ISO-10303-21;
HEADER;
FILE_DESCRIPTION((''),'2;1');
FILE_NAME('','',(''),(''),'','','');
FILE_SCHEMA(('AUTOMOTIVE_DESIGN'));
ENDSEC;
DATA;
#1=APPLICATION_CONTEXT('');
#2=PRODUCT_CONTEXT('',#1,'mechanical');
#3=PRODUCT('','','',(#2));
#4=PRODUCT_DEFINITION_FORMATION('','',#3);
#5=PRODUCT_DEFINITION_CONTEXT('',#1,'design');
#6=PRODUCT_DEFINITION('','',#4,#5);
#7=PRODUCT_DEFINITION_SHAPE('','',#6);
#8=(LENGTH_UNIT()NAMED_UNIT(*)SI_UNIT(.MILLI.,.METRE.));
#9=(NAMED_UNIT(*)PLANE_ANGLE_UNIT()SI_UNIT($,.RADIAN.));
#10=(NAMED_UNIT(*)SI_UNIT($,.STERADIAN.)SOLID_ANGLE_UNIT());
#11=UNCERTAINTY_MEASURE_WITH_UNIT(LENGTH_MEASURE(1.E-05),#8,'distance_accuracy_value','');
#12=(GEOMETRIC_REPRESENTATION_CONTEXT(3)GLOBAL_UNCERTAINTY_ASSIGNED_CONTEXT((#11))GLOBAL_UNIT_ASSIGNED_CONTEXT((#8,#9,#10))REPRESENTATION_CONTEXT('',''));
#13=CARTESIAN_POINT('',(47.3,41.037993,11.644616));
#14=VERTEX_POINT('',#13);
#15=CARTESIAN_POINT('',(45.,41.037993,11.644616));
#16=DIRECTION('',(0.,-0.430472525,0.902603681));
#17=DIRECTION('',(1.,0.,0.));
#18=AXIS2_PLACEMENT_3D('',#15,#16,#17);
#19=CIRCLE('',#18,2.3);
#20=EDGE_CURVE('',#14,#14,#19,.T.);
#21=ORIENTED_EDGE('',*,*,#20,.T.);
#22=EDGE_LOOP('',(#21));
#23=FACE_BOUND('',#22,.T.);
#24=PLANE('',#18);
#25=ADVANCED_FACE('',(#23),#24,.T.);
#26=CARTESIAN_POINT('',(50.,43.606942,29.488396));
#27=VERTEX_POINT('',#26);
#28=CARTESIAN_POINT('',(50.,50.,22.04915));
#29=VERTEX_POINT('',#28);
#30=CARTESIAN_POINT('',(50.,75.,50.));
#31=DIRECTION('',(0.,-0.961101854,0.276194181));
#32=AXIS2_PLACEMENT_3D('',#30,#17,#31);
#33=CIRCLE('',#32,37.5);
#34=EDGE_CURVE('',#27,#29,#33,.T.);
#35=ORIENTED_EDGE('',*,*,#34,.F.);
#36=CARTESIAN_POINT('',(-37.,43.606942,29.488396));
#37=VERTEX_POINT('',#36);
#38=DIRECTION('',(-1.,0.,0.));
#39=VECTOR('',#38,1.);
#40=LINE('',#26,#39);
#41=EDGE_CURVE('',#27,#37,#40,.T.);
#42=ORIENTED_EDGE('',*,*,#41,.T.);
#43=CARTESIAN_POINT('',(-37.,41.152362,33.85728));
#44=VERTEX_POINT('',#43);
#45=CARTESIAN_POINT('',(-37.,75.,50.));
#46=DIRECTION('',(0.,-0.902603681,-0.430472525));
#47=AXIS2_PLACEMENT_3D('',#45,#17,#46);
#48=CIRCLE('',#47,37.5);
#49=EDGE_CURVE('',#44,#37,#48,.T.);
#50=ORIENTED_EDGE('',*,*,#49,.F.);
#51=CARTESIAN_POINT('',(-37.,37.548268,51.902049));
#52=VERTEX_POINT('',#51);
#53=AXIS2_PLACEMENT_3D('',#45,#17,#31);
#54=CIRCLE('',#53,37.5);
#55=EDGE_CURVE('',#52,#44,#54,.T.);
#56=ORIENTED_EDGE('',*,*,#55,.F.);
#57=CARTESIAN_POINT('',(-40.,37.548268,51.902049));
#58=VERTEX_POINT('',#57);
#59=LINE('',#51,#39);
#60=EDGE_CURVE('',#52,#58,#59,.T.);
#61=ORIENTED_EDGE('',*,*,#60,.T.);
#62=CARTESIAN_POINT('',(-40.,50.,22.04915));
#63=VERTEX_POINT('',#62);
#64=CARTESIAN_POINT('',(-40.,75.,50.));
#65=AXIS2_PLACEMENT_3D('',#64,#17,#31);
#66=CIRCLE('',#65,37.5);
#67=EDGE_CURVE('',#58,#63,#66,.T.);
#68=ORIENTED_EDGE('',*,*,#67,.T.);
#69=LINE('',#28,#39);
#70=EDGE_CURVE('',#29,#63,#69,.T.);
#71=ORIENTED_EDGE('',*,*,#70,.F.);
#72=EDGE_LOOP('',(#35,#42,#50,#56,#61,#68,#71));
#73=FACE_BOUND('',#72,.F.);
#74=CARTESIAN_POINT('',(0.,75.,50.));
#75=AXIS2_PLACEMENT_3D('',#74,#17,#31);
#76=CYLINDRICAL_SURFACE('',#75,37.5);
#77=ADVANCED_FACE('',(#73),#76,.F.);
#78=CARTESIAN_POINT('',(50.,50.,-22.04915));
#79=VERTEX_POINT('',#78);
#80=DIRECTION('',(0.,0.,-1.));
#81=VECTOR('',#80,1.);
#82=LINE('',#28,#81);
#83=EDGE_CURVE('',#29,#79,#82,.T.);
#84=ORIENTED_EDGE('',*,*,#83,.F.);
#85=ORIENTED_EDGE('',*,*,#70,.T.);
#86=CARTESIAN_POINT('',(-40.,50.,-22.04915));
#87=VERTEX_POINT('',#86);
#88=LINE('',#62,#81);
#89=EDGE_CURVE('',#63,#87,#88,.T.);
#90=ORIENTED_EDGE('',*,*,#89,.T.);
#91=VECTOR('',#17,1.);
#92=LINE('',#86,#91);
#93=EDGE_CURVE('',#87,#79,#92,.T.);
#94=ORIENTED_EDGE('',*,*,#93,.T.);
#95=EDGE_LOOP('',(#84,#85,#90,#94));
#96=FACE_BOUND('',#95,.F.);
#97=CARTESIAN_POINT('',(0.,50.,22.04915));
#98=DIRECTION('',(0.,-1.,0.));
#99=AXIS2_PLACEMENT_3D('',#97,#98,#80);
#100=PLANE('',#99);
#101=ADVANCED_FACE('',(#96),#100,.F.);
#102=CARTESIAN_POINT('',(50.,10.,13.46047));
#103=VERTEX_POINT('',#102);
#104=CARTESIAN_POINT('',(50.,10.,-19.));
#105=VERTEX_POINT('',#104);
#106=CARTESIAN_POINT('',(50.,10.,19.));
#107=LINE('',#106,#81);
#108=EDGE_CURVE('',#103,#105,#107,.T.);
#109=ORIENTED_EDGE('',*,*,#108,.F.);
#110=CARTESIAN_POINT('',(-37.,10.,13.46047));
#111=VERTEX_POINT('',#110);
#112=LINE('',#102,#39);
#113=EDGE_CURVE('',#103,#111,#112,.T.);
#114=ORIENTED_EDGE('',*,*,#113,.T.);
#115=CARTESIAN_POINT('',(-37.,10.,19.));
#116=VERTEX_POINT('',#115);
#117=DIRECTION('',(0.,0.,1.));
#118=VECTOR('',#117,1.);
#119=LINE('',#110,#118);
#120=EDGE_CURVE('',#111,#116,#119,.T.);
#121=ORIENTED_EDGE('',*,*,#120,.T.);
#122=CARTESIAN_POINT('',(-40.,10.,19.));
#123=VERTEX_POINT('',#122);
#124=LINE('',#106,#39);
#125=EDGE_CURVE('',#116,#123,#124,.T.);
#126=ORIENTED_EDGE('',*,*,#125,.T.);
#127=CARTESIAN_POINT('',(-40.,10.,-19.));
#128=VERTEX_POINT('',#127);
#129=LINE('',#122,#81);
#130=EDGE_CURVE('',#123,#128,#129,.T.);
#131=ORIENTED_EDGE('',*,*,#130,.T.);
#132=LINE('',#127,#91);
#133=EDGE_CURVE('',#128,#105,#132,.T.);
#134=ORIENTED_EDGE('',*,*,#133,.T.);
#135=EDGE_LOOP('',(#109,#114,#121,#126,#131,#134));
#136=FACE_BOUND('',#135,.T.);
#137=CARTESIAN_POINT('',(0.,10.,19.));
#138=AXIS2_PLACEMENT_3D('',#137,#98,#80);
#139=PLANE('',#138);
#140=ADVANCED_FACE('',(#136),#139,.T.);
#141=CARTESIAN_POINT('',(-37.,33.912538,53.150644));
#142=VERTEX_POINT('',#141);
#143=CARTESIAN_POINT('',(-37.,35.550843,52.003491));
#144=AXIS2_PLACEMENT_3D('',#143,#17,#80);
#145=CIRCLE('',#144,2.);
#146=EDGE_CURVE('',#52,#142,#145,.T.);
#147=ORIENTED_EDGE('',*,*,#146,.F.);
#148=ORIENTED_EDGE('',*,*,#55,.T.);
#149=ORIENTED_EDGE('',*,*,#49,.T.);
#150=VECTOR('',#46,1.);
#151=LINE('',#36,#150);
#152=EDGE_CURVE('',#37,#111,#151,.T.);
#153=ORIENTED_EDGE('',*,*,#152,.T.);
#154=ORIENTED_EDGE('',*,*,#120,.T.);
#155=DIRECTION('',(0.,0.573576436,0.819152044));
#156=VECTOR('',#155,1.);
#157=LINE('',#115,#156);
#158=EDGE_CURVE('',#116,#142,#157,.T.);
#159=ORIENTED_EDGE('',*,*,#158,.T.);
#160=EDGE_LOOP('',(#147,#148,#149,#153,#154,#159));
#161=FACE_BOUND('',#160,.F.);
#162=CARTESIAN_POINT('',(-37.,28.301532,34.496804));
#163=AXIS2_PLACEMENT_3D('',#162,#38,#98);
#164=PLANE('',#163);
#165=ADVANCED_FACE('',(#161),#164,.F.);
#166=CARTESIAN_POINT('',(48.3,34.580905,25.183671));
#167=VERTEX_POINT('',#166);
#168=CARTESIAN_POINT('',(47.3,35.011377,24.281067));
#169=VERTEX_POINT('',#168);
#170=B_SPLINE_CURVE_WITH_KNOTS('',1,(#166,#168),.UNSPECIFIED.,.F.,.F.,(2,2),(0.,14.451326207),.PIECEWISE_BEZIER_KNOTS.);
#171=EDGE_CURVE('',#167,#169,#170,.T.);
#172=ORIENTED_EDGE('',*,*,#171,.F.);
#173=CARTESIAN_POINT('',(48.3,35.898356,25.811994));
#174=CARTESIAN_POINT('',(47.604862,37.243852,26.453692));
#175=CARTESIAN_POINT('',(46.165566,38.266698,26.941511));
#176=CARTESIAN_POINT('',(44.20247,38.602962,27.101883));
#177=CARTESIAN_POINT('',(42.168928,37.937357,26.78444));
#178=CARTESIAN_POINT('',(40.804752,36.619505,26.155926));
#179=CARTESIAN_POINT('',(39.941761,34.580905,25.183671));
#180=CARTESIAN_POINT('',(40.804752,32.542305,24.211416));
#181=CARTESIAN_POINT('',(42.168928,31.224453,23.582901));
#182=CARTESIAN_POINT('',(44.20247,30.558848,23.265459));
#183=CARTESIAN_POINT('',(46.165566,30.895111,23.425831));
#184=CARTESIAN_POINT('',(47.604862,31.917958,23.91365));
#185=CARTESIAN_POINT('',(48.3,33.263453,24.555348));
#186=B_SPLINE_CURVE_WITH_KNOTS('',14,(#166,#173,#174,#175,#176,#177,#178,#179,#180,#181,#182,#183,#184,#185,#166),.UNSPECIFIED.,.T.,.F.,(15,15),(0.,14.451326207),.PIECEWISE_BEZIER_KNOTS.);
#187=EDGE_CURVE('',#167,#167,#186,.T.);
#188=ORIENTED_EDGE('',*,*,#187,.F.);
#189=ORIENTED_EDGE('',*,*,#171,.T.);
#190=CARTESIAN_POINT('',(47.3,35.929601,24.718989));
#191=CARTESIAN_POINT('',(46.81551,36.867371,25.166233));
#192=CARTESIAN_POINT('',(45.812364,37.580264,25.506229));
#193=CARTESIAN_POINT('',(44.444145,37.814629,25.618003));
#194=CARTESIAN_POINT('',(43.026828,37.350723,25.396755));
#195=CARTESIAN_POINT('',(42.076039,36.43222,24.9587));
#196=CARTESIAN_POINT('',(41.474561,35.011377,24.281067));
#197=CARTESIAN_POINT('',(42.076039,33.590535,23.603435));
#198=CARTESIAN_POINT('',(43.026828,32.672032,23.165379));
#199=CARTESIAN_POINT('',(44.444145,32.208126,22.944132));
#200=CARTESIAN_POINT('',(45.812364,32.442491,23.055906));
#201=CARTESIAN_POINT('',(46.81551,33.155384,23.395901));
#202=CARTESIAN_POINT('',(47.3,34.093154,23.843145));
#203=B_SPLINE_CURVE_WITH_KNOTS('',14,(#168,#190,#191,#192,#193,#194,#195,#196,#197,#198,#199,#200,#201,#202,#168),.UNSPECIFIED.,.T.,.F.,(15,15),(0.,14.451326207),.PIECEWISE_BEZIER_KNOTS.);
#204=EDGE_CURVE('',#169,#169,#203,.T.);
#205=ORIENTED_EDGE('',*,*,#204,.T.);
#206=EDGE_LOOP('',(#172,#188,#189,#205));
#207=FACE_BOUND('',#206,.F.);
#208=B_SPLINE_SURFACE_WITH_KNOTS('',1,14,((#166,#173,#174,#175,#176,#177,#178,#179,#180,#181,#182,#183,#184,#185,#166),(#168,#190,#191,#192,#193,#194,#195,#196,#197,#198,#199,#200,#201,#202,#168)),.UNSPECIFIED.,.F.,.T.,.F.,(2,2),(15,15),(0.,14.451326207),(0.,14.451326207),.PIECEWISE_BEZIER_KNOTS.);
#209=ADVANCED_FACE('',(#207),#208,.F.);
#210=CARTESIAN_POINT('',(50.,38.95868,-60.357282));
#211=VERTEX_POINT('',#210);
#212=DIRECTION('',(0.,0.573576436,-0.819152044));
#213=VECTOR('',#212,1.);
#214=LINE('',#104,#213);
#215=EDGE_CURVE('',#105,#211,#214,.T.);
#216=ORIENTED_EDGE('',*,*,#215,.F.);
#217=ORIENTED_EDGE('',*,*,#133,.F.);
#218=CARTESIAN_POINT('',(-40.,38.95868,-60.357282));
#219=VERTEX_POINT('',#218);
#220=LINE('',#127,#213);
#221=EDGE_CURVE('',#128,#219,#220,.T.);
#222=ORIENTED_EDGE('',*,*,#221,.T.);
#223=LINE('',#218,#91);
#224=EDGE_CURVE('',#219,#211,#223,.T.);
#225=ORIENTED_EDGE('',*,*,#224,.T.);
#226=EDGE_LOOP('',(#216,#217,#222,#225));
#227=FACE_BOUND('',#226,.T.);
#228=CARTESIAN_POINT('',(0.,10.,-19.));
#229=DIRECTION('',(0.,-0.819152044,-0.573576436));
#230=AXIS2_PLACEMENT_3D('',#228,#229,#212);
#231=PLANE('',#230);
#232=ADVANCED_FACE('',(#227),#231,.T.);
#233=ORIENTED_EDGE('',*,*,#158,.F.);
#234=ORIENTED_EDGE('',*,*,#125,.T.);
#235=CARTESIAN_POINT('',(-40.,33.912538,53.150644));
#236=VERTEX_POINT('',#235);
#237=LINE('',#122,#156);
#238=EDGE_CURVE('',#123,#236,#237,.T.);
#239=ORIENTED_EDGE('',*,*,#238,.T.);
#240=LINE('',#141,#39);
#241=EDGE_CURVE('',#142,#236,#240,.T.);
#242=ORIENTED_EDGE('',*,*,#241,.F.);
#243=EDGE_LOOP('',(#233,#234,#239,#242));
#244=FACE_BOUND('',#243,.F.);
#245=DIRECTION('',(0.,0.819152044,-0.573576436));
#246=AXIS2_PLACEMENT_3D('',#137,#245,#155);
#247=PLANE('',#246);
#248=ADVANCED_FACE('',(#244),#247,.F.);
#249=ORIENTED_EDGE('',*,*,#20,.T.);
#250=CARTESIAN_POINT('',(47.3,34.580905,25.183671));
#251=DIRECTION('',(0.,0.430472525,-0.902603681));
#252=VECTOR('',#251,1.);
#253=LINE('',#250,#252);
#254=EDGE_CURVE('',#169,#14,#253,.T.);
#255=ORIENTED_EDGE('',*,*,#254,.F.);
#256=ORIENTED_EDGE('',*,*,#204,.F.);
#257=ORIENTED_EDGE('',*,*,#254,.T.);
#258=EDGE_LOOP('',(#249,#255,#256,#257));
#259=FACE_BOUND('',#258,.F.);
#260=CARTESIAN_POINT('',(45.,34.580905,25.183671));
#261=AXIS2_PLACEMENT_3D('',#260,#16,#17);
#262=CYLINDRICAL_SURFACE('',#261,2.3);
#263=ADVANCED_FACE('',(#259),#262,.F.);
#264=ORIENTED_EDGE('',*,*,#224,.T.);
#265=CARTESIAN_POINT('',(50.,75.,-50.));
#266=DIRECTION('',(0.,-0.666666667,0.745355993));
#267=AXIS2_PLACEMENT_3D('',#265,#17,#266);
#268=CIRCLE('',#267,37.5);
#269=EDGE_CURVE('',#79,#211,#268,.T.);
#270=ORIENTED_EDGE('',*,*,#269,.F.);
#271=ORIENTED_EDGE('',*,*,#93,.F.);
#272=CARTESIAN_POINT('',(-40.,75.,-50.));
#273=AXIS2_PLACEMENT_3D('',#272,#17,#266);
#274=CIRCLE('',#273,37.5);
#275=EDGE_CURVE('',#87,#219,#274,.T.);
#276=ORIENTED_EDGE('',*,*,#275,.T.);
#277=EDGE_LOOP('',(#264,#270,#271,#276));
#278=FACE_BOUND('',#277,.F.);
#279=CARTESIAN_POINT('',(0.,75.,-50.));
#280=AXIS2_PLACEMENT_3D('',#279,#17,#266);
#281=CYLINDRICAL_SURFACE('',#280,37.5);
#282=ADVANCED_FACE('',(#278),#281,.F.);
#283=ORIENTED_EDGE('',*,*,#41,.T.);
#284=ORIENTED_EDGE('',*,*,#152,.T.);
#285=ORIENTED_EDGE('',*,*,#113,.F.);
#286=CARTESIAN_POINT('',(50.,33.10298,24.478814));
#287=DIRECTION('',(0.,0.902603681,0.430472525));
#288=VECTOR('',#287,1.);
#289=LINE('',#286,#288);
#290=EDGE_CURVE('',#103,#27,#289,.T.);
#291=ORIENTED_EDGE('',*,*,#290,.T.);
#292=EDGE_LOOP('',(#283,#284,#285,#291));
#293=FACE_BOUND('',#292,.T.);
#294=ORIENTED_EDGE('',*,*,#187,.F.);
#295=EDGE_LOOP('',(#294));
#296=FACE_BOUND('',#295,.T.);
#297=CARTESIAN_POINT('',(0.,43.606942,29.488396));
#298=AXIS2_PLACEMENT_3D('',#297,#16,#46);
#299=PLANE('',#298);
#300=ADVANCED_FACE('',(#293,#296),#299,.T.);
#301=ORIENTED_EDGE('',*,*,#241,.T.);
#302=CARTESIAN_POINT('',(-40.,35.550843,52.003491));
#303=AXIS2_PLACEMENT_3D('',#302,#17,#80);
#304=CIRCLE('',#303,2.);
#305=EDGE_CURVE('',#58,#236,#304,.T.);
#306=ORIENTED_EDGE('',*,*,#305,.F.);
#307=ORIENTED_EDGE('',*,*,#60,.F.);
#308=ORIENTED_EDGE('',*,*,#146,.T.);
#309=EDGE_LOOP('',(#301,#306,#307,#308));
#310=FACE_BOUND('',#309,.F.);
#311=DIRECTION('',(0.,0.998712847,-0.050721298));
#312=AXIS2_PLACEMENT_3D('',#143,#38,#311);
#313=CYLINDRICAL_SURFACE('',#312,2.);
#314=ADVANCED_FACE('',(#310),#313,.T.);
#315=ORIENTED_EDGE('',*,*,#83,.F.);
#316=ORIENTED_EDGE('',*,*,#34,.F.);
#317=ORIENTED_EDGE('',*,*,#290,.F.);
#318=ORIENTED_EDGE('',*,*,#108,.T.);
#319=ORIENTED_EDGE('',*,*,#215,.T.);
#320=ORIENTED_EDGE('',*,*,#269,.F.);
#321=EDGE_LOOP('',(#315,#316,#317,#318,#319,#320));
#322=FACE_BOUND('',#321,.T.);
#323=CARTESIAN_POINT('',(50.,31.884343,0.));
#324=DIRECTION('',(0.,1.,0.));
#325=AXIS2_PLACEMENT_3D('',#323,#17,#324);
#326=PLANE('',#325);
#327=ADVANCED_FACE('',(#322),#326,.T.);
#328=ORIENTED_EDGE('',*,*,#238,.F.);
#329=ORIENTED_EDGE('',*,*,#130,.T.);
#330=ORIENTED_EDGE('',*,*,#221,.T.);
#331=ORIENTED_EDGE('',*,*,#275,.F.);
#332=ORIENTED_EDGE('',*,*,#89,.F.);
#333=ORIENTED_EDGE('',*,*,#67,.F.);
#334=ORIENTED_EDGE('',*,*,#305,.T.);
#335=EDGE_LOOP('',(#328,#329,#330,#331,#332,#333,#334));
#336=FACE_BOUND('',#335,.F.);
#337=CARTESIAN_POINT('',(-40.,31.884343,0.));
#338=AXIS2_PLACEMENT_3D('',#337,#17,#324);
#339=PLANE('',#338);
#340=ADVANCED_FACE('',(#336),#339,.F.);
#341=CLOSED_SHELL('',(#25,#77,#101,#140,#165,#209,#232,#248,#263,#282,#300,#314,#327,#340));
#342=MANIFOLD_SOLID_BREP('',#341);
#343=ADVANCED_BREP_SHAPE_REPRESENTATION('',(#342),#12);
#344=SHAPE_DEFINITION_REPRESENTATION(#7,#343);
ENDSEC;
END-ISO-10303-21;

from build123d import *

# Parameters (mm, degrees)
PAD029_DEPTH         = 50
PAD029_DEPTH_BACK    = 40
POCKET025_DEPTH      = 37
POCKET025_DEPTH_BACK = 100
FILLET018_R          = 2
SKETCH057_R          = 2.3
POCKET026_DEPTH      = 15
CHAMFER013_SIZE      = 1


with BuildPart() as part:
    # Sketch055 → Pad029 (new body, two sides)
    with BuildSketch(Plane.YZ) as pad029_sk:
        with BuildLine():
            Line((0, 19), (0, -19))
            Line((0, -19), (28.9586804597, -60.3572817765))
            ThreePointArc((40, -22.0491502813), (28.9668360053, -39.6143804936), (28.9586804597, -60.3572817765))
            Line((40, 22.0491502813), (40, -22.0491502813))
            ThreePointArc((28.9586804597, 60.3572817765), (28.9668360053, 39.6143804936), (40, 22.0491502813))
            Line((0, 19), (28.9586804597, 60.3572817765))
        make_face()
    extrude(amount=PAD029_DEPTH)
    extrude(pad029_sk.sketch, amount=-PAD029_DEPTH_BACK)

    # Sketch056 → Pocket025 (cut, two sides)
    with BuildSketch(Plane.YZ) as pocket025_sk:
        with BuildLine():
            ThreePointArc((28.9586804597, 60.3572817765), (27.6278296398, 46.9063156967), (31.1523619549, 33.8572803169))
            ThreePointArc((31.1523619549, 33.8572803169), (32.3065923695, 31.6317911188), (33.6069416835, 29.4883962222))
            Line((33.6069416835, 29.4883962222), (0, 13.4604701885))
            Line((0, 13.4604701885), (0, 19))
            Line((0, 19), (28.9586804597, 60.3572817765))
        make_face()
    extrude(amount=-POCKET025_DEPTH, mode=Mode.SUBTRACT)
    extrude(pocket025_sk.sketch, amount=POCKET025_DEPTH_BACK, mode=Mode.SUBTRACT)

    # Fillet018
    fillet018_edges = [part.edges().sort_by_distance(p)[0] for p in [
        (-38.5, 28.95868, 60.357282),
    ]]
    fillet(fillet018_edges, radius=FILLET018_R)

    # Sketch057 → Pocket026 (cut)
    with BuildSketch(Plane(origin=(0, -5.2300130023, 10.9661562951), x_dir=(1, 0, 0), z_dir=(0, -0.4304725249, 0.9026036812))):
        with Locations((45, 33.027693654)):
            Circle(SKETCH057_R)
    extrude(amount=-POCKET026_DEPTH, mode=Mode.SUBTRACT)

    # Chamfer013
    chamfer013_edges = [part.edges().sort_by_distance(p)[0] for p in [
        (42.7, 24.580905, 25.183671),
    ]]
    chamfer(chamfer013_edges, length=CHAMFER013_SIZE)


with BuildPart() as part_1:
    # Body029 placement: moved
    add(part.part.moved(Location((0, 10, 0))))


solid = part_1.part
